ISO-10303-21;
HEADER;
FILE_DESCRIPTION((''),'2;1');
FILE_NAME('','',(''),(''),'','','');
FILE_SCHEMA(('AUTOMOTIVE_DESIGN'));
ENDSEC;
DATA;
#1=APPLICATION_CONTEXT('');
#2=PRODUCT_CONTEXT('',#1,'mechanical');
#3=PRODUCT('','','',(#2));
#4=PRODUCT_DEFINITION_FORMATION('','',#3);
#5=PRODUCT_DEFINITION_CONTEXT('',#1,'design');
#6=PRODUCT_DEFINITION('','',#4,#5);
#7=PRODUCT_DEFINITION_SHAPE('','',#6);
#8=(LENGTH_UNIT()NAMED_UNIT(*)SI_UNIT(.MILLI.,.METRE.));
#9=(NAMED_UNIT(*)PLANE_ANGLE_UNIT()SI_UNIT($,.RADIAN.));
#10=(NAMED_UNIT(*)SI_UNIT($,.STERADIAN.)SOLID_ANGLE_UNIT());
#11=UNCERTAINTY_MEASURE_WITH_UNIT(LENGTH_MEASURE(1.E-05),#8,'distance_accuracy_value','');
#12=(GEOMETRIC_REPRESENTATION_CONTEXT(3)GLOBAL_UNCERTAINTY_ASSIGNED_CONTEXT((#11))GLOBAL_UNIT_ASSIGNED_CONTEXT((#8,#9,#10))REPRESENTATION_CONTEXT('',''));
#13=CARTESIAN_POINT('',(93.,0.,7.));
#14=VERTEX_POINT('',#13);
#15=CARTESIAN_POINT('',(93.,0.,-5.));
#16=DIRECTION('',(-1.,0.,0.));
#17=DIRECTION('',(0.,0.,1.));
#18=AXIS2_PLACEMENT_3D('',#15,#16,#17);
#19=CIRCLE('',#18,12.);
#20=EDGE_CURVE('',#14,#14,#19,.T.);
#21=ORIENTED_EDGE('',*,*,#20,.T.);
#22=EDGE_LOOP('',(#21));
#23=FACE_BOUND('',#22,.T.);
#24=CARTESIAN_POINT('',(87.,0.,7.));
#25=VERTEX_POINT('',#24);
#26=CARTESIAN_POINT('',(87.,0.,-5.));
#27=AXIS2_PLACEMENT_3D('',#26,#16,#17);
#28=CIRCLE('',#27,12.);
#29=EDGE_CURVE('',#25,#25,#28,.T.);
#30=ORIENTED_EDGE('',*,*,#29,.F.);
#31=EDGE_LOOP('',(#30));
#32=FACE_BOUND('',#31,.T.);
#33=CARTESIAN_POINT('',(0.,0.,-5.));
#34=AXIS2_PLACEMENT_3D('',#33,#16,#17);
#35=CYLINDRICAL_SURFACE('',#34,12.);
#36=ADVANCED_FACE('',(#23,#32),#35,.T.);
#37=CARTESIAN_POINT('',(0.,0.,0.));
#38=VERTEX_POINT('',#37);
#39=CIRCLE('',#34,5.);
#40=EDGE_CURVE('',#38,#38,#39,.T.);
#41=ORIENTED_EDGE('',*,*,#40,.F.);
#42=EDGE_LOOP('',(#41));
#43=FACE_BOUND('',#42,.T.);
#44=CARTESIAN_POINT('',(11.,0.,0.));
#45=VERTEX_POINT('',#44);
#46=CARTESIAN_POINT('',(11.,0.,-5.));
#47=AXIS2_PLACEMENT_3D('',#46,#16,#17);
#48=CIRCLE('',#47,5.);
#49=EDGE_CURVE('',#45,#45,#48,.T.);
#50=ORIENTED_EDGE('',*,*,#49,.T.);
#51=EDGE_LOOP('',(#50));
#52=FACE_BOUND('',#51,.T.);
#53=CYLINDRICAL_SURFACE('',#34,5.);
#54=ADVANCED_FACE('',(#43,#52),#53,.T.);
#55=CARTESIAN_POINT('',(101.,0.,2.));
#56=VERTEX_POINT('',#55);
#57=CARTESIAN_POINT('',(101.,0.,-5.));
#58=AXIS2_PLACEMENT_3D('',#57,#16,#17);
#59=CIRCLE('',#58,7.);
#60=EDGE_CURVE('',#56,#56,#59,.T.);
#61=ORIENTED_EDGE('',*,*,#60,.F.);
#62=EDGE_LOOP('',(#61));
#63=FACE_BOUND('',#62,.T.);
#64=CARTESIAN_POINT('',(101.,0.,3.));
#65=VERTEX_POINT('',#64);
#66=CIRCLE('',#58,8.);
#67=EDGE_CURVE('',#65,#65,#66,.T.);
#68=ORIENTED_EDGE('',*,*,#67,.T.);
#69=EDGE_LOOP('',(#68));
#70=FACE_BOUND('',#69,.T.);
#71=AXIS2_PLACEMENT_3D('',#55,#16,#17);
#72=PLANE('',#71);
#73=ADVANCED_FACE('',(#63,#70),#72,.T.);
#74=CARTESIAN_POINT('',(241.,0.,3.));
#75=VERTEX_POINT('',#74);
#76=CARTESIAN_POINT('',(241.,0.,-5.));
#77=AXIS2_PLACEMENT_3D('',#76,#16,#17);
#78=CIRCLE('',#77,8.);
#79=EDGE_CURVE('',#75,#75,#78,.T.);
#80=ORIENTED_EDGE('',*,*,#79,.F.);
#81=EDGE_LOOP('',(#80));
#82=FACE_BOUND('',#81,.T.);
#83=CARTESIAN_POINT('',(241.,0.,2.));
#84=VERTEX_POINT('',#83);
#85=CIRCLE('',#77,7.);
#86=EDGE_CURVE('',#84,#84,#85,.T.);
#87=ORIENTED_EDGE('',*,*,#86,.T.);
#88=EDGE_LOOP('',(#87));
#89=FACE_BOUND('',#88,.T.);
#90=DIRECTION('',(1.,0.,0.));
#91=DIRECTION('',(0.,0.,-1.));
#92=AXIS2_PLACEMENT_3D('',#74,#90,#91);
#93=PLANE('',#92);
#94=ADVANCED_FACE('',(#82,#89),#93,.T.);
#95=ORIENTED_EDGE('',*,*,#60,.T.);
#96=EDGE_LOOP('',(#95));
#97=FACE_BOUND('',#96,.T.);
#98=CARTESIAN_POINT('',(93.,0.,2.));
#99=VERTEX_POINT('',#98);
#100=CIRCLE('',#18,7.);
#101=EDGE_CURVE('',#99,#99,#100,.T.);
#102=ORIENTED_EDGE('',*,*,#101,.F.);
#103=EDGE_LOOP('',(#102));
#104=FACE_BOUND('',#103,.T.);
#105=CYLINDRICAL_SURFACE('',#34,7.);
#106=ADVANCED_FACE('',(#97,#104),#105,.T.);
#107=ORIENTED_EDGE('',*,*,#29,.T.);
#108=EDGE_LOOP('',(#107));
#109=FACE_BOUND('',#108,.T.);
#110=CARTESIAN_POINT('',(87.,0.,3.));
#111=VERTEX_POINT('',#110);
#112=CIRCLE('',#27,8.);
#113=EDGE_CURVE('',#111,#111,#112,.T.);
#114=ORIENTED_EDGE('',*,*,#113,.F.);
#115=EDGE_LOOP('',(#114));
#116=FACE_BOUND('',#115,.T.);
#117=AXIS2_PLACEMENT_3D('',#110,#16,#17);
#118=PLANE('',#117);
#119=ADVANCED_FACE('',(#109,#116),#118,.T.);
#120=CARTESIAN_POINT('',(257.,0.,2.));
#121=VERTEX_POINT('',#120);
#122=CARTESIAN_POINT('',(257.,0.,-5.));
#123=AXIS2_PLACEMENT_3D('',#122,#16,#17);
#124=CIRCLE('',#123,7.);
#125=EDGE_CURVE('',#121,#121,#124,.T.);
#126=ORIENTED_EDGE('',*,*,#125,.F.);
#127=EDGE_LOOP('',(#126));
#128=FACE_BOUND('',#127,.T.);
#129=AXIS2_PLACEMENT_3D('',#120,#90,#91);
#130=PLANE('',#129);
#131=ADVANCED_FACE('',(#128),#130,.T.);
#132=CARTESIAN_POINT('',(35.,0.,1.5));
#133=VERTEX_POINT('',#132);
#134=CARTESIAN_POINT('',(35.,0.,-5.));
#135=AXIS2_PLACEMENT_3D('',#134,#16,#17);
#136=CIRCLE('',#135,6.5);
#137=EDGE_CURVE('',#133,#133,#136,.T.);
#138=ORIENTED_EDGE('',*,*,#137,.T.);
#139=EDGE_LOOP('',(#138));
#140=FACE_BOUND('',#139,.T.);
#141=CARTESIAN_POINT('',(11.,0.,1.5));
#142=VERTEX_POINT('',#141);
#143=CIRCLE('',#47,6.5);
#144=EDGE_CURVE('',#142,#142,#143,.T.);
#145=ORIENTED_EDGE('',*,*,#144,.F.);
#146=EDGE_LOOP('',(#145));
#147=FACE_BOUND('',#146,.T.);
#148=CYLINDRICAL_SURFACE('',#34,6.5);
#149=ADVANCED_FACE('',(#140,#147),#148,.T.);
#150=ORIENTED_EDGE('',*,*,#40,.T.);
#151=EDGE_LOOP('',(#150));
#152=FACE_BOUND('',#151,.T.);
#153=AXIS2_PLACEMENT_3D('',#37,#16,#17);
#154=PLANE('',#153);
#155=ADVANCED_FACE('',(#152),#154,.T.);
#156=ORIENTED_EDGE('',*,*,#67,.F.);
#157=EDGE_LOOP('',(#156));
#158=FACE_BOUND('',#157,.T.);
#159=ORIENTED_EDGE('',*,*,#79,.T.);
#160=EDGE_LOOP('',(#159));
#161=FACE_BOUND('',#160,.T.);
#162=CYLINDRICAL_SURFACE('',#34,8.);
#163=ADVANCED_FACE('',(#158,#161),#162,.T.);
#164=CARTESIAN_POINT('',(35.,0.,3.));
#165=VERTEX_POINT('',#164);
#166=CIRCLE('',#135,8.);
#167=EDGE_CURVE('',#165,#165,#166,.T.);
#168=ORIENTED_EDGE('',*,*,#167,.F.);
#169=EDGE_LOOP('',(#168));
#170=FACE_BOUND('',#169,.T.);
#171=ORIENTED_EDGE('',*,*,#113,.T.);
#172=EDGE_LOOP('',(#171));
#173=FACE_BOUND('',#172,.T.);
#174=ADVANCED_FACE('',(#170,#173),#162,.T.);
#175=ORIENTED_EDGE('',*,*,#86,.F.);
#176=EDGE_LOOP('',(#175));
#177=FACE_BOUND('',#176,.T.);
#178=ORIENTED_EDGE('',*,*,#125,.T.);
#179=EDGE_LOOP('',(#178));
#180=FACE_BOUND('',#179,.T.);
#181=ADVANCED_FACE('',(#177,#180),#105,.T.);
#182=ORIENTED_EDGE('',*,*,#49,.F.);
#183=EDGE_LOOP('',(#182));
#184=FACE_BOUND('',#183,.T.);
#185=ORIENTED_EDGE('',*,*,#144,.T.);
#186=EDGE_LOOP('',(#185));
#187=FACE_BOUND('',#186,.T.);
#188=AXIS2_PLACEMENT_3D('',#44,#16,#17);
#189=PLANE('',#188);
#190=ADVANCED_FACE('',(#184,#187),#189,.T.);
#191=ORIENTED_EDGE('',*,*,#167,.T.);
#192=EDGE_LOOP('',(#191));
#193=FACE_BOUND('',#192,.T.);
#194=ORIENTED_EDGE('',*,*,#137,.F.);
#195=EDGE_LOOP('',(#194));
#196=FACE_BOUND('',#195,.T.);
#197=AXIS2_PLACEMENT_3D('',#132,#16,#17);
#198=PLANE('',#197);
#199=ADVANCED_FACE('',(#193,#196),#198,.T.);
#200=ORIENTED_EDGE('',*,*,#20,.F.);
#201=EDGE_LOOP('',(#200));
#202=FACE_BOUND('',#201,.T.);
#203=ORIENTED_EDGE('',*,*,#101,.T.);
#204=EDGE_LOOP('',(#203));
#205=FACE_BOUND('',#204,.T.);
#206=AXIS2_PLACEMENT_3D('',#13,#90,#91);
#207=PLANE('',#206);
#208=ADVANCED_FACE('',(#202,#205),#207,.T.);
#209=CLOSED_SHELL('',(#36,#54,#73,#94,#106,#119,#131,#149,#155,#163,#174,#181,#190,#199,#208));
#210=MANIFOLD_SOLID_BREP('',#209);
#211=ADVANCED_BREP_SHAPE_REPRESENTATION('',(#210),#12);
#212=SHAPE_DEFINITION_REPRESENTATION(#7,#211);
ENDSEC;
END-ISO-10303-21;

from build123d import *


with BuildPart() as part:
    # Sketch1 → Revolve1 (revolve)
    with BuildSketch(Plane(origin=(0, 0, 0), x_dir=(1, 0, 0), z_dir=(0, 1, 0))):
        Polygon((0, 0), (11, 0), (11, -1.5), (35, -1.5), (35, -3), (87, -3), (87, -7), (93, -7), (93, -2), (101, -2), (101, -3), (241, -3), (241, -2), (257, -2), (257, 5), (0, 5), align=None)
    revolve(axis=Axis((0, 0, -5), (1, 0, 0)))


solid = part.part
